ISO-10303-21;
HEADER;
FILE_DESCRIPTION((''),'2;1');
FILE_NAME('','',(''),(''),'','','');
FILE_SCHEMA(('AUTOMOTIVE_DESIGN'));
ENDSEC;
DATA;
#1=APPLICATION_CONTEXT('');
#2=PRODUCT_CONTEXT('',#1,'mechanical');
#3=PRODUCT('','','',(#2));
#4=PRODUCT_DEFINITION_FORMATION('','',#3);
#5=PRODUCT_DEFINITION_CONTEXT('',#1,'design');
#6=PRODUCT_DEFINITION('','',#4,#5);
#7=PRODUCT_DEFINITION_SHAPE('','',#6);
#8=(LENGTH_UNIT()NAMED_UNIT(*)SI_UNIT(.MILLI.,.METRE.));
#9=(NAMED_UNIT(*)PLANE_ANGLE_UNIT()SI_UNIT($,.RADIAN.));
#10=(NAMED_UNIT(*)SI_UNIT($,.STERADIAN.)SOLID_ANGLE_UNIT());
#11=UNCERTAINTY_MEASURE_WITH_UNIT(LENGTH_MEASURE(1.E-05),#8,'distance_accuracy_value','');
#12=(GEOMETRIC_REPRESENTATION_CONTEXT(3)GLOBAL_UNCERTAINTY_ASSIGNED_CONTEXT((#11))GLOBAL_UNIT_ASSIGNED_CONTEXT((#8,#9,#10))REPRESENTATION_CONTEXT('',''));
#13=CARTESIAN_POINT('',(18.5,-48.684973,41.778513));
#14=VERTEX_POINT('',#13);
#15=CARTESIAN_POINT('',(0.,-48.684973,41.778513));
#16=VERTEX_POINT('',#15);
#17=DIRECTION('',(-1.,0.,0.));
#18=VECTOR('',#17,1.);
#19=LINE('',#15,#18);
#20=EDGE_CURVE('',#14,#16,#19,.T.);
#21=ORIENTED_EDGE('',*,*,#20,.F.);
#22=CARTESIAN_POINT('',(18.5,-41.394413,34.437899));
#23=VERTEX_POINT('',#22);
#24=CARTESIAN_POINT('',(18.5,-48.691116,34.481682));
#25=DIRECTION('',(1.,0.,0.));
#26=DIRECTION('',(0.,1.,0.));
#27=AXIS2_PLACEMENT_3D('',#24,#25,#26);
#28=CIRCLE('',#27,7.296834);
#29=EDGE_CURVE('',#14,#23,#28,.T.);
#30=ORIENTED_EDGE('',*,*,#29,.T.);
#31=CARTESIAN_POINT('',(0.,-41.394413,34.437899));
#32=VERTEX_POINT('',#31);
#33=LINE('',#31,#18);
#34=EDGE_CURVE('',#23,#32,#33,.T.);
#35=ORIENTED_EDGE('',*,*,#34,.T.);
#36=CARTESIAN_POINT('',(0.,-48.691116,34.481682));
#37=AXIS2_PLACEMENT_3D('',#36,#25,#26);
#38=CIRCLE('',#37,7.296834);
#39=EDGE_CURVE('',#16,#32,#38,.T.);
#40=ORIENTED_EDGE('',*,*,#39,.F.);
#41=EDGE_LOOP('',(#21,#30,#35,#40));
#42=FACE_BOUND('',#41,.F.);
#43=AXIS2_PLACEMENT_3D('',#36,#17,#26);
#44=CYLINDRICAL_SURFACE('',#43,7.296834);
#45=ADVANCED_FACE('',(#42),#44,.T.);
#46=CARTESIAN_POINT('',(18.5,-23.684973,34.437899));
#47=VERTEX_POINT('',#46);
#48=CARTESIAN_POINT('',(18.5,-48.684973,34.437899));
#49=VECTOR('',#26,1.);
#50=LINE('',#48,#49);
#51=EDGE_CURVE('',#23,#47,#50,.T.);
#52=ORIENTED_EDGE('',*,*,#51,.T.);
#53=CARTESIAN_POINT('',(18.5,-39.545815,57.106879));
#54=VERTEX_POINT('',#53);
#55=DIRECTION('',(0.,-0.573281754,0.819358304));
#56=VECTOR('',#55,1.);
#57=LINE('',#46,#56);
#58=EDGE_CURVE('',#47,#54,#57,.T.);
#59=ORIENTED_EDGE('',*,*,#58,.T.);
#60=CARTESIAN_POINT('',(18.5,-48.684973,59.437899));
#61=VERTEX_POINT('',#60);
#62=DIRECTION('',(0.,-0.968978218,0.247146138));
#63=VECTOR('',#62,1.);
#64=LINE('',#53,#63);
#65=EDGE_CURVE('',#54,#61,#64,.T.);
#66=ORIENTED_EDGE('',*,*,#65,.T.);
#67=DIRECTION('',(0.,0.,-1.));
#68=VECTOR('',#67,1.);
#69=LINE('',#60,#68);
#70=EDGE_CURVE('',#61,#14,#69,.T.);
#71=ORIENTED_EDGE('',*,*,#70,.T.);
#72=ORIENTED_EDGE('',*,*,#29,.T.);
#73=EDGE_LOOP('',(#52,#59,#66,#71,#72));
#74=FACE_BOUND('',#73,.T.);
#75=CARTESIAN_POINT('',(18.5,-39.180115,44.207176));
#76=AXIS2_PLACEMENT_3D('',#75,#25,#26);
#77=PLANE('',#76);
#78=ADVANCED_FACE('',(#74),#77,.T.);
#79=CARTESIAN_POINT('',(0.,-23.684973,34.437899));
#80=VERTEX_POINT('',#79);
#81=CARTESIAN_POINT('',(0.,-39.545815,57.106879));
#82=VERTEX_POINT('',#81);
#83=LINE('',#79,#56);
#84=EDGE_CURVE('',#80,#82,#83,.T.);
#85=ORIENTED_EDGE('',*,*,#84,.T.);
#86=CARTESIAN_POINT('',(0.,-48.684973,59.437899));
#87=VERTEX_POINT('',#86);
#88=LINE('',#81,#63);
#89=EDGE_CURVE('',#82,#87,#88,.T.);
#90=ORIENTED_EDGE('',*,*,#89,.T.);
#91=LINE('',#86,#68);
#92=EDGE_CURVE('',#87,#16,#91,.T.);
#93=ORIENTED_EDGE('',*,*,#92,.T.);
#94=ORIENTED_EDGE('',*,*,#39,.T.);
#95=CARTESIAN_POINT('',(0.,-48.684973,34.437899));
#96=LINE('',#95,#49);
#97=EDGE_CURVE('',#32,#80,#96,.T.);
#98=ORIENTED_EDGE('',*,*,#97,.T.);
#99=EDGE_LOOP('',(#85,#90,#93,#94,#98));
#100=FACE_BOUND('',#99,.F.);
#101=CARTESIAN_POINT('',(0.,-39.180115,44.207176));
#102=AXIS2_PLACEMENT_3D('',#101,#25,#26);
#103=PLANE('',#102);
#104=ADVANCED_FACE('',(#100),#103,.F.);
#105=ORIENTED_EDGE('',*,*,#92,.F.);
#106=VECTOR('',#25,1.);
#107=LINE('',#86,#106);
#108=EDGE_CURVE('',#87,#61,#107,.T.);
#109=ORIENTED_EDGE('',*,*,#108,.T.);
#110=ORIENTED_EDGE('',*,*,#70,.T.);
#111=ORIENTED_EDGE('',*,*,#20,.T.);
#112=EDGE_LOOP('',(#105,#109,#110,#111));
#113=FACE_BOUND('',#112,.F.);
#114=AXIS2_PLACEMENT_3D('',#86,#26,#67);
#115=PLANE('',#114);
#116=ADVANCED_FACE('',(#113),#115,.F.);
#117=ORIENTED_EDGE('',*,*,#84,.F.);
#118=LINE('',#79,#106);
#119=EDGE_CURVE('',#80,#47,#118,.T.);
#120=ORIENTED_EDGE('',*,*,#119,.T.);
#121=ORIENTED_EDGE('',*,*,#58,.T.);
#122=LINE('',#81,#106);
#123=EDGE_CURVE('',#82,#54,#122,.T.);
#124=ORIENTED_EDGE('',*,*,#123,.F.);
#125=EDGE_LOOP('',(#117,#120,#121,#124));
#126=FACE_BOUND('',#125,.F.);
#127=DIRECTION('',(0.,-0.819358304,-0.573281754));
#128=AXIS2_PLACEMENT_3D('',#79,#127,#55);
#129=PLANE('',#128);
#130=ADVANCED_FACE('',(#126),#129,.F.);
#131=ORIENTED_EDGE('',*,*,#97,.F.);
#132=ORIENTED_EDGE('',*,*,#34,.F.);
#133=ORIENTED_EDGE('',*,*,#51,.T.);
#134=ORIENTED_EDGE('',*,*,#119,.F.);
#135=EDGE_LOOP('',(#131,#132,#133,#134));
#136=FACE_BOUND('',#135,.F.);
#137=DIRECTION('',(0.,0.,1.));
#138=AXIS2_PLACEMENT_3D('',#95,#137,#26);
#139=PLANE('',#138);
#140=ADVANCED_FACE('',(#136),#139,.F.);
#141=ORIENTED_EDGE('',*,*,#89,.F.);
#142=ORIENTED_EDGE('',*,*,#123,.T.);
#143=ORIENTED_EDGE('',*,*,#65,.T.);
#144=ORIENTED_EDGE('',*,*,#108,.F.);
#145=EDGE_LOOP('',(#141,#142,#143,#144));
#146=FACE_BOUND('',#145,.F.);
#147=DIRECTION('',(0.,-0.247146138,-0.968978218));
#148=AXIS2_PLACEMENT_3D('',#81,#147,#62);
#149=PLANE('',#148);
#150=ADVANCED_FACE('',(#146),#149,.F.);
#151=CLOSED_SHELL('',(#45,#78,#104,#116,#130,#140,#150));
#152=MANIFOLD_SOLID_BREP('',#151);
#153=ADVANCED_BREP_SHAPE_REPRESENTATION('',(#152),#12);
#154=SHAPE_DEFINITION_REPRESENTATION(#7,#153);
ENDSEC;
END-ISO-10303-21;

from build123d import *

# Parameters (mm, degrees)
F1_DEPTH = 18.5
F2_R     = 7.296834
F3_DEPTH = 18.5


with BuildPart() as f1:
    # F0 (on Right) → F1 (new body)
    with BuildSketch(Plane.YZ):
        Polygon((-39.545815, 57.106879), (-48.684973, 59.437899), (-48.684973, 34.437899), (-23.684973, 34.437899), align=None)
    extrude(amount=F1_DEPTH)

    # F2 (on Right) → F3 (join)
    with BuildSketch(Plane.YZ):
        with Locations((-48.691116, 34.481682)):
            Circle(F2_R)
    extrude(amount=F3_DEPTH)


solid = f1.part
